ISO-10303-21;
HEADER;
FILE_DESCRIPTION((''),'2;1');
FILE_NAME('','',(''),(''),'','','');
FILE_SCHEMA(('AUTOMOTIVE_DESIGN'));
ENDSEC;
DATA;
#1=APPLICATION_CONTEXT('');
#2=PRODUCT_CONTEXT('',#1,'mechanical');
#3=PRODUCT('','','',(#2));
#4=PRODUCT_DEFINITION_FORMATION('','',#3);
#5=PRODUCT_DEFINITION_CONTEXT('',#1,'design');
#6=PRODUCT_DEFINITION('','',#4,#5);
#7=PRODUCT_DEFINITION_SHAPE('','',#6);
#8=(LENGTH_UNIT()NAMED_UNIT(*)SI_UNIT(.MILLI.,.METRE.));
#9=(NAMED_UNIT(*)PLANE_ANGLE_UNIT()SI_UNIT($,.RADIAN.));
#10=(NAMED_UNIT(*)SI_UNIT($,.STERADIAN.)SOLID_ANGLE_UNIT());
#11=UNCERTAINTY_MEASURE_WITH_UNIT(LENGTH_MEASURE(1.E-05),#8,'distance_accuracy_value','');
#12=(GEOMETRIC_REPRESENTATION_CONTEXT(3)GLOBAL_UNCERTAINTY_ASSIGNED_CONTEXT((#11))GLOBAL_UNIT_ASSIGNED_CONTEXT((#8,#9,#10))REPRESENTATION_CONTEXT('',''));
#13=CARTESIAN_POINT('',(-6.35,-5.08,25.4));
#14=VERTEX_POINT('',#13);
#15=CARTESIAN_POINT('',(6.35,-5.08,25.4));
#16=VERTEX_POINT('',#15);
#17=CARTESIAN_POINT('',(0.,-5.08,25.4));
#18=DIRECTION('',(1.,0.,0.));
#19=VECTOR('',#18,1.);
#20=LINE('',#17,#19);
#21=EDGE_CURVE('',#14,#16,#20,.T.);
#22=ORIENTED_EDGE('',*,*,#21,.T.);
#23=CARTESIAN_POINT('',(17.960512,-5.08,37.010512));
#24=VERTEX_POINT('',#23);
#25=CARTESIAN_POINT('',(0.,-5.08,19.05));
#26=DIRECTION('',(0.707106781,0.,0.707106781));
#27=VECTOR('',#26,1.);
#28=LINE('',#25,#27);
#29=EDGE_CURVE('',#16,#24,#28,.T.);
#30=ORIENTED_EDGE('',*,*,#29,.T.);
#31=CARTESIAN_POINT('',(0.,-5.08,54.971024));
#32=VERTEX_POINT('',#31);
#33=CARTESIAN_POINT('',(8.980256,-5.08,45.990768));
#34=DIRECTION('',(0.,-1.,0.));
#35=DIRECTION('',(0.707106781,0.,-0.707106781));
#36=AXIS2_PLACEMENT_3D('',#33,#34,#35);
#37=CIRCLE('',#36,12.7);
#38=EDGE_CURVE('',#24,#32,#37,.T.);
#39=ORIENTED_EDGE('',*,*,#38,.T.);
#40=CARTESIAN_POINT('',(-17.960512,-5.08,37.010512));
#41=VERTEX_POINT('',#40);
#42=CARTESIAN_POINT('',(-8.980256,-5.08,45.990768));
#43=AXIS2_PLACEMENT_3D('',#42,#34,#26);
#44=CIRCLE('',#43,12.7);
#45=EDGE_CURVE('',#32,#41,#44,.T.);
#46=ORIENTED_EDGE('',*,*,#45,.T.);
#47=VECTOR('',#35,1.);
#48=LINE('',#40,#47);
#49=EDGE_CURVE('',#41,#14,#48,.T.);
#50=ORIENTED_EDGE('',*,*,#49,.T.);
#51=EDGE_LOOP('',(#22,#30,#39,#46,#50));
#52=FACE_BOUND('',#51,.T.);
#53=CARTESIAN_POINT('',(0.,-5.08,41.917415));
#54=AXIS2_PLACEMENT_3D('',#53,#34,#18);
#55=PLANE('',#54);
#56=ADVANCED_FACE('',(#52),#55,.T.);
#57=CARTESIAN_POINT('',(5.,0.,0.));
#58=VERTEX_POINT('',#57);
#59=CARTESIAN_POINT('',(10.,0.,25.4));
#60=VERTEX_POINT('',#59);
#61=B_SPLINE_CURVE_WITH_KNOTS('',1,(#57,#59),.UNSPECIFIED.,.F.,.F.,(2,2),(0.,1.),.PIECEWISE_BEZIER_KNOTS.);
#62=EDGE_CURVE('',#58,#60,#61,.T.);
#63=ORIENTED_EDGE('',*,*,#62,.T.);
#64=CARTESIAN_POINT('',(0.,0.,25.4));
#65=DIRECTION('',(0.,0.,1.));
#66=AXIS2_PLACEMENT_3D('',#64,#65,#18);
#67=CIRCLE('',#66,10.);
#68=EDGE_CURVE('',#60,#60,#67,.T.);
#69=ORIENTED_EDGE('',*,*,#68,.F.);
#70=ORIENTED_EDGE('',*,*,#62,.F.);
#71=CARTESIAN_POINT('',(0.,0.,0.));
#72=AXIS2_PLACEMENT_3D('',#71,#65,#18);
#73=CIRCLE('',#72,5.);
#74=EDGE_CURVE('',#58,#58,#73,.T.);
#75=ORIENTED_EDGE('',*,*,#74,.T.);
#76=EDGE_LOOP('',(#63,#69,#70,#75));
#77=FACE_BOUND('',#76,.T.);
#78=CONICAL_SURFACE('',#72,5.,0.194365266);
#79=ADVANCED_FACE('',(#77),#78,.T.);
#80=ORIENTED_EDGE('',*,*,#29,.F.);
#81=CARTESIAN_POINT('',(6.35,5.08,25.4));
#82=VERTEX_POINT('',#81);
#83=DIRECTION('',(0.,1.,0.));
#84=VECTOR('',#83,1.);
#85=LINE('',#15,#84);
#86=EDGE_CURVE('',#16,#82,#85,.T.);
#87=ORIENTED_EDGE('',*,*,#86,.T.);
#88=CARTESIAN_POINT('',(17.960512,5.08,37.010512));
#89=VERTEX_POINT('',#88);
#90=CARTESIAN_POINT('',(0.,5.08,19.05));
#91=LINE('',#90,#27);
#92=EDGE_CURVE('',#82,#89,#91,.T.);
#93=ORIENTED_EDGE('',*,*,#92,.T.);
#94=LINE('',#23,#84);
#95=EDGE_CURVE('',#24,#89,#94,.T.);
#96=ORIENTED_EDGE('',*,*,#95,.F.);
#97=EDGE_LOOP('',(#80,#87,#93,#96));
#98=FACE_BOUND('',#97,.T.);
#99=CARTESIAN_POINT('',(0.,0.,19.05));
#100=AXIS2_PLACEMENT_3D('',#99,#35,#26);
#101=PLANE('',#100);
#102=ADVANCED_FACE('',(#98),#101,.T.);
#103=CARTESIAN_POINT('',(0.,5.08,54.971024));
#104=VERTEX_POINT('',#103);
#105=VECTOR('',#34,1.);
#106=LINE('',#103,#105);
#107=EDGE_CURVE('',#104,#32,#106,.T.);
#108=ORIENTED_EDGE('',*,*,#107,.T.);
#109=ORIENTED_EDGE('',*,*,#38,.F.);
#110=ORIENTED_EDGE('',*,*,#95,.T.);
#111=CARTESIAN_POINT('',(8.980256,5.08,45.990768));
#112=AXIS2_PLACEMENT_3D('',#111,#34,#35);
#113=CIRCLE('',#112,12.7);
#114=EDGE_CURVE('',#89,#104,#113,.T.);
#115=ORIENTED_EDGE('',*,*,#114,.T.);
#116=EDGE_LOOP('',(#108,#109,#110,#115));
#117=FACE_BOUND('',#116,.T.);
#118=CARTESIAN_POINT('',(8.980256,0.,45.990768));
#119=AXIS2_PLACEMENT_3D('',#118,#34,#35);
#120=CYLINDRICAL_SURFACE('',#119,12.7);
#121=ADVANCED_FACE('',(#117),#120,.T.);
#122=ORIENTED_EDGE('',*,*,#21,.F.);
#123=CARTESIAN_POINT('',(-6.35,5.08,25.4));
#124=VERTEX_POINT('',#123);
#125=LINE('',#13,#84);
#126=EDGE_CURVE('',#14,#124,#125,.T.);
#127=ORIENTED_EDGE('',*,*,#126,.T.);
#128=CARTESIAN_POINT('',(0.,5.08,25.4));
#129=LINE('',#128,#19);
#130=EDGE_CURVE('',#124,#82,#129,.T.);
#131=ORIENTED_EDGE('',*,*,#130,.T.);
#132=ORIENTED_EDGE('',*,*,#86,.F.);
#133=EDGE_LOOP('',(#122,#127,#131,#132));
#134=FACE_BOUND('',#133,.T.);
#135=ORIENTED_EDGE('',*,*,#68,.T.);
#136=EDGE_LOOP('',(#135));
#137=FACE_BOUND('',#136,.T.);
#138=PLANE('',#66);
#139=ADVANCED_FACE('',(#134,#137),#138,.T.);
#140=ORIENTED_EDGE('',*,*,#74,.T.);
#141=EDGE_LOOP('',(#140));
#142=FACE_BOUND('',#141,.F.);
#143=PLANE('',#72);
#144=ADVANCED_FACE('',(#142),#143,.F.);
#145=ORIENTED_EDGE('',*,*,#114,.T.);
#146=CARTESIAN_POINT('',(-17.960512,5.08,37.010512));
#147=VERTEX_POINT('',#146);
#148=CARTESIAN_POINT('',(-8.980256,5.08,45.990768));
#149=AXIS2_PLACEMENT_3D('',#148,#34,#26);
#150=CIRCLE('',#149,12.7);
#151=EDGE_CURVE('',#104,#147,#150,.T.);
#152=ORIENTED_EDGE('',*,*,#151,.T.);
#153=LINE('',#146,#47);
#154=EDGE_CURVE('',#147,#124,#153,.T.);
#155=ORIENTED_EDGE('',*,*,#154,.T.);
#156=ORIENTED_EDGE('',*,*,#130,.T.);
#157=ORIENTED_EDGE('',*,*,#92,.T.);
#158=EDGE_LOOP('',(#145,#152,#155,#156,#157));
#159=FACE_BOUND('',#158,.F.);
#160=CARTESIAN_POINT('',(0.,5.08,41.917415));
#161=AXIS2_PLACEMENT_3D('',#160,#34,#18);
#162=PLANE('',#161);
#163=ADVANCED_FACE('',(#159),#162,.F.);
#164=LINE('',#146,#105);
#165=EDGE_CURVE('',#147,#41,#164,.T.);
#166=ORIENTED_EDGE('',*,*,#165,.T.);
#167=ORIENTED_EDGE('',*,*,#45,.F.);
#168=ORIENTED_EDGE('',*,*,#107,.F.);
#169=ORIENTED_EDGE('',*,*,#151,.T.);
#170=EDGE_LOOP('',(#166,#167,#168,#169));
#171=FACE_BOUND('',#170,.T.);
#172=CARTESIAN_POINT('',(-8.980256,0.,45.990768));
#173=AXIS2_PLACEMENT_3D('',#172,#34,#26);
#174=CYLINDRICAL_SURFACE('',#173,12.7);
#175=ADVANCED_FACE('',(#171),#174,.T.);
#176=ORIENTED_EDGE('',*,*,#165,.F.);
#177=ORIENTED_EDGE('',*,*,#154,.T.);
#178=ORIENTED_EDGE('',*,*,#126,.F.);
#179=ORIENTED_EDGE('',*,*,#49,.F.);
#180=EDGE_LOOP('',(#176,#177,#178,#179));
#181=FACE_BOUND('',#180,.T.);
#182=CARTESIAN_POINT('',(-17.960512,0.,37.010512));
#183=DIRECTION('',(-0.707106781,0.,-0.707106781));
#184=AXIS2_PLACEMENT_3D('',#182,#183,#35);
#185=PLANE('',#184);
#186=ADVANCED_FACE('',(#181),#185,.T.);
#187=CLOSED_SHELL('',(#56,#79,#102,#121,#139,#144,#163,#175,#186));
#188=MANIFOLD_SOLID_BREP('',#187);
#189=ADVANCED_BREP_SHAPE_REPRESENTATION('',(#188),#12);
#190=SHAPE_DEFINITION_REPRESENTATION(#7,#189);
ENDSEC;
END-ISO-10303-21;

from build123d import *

# Parameters (mm, degrees)
F0_R     = 5
F2_R     = 10
F5_DEPTH = 5.08
F6_DEPTH = 5.08


with BuildPart() as f3:
    # F0 (on Top) → F3 section 0
    with BuildSketch(Plane.XY):
        Circle(F0_R)
    # F2 (on offset) → F3 section 1
    with BuildSketch(Plane.XY.offset(25.4)):
        Circle(F2_R)
    loft()

    # F4 (on Front) → F5 (join)
    with BuildSketch(Plane.XZ):
        with BuildLine():
            ThreePointArc((17.960512, 37.010512), (17.960512, 54.971024), (0, 54.971024))
            ThreePointArc((0, 54.971024), (-17.960512, 54.971024), (-17.960512, 37.010512))
            Line((-17.960512, 37.010512), (0, 19.05))
            Line((0, 19.05), (17.960512, 37.010512))
        make_face()
    extrude(amount=F5_DEPTH)

    # F4 (on Front) → F6 (join)
    with BuildSketch(Plane.XZ):
        with BuildLine():
            ThreePointArc((17.960512, 37.010512), (17.960512, 54.971024), (0, 54.971024))
            ThreePointArc((0, 54.971024), (-17.960512, 54.971024), (-17.960512, 37.010512))
            Line((-17.960512, 37.010512), (0, 19.05))
            Line((0, 19.05), (17.960512, 37.010512))
        make_face()
    extrude(amount=-F6_DEPTH)


solid = f3.part
